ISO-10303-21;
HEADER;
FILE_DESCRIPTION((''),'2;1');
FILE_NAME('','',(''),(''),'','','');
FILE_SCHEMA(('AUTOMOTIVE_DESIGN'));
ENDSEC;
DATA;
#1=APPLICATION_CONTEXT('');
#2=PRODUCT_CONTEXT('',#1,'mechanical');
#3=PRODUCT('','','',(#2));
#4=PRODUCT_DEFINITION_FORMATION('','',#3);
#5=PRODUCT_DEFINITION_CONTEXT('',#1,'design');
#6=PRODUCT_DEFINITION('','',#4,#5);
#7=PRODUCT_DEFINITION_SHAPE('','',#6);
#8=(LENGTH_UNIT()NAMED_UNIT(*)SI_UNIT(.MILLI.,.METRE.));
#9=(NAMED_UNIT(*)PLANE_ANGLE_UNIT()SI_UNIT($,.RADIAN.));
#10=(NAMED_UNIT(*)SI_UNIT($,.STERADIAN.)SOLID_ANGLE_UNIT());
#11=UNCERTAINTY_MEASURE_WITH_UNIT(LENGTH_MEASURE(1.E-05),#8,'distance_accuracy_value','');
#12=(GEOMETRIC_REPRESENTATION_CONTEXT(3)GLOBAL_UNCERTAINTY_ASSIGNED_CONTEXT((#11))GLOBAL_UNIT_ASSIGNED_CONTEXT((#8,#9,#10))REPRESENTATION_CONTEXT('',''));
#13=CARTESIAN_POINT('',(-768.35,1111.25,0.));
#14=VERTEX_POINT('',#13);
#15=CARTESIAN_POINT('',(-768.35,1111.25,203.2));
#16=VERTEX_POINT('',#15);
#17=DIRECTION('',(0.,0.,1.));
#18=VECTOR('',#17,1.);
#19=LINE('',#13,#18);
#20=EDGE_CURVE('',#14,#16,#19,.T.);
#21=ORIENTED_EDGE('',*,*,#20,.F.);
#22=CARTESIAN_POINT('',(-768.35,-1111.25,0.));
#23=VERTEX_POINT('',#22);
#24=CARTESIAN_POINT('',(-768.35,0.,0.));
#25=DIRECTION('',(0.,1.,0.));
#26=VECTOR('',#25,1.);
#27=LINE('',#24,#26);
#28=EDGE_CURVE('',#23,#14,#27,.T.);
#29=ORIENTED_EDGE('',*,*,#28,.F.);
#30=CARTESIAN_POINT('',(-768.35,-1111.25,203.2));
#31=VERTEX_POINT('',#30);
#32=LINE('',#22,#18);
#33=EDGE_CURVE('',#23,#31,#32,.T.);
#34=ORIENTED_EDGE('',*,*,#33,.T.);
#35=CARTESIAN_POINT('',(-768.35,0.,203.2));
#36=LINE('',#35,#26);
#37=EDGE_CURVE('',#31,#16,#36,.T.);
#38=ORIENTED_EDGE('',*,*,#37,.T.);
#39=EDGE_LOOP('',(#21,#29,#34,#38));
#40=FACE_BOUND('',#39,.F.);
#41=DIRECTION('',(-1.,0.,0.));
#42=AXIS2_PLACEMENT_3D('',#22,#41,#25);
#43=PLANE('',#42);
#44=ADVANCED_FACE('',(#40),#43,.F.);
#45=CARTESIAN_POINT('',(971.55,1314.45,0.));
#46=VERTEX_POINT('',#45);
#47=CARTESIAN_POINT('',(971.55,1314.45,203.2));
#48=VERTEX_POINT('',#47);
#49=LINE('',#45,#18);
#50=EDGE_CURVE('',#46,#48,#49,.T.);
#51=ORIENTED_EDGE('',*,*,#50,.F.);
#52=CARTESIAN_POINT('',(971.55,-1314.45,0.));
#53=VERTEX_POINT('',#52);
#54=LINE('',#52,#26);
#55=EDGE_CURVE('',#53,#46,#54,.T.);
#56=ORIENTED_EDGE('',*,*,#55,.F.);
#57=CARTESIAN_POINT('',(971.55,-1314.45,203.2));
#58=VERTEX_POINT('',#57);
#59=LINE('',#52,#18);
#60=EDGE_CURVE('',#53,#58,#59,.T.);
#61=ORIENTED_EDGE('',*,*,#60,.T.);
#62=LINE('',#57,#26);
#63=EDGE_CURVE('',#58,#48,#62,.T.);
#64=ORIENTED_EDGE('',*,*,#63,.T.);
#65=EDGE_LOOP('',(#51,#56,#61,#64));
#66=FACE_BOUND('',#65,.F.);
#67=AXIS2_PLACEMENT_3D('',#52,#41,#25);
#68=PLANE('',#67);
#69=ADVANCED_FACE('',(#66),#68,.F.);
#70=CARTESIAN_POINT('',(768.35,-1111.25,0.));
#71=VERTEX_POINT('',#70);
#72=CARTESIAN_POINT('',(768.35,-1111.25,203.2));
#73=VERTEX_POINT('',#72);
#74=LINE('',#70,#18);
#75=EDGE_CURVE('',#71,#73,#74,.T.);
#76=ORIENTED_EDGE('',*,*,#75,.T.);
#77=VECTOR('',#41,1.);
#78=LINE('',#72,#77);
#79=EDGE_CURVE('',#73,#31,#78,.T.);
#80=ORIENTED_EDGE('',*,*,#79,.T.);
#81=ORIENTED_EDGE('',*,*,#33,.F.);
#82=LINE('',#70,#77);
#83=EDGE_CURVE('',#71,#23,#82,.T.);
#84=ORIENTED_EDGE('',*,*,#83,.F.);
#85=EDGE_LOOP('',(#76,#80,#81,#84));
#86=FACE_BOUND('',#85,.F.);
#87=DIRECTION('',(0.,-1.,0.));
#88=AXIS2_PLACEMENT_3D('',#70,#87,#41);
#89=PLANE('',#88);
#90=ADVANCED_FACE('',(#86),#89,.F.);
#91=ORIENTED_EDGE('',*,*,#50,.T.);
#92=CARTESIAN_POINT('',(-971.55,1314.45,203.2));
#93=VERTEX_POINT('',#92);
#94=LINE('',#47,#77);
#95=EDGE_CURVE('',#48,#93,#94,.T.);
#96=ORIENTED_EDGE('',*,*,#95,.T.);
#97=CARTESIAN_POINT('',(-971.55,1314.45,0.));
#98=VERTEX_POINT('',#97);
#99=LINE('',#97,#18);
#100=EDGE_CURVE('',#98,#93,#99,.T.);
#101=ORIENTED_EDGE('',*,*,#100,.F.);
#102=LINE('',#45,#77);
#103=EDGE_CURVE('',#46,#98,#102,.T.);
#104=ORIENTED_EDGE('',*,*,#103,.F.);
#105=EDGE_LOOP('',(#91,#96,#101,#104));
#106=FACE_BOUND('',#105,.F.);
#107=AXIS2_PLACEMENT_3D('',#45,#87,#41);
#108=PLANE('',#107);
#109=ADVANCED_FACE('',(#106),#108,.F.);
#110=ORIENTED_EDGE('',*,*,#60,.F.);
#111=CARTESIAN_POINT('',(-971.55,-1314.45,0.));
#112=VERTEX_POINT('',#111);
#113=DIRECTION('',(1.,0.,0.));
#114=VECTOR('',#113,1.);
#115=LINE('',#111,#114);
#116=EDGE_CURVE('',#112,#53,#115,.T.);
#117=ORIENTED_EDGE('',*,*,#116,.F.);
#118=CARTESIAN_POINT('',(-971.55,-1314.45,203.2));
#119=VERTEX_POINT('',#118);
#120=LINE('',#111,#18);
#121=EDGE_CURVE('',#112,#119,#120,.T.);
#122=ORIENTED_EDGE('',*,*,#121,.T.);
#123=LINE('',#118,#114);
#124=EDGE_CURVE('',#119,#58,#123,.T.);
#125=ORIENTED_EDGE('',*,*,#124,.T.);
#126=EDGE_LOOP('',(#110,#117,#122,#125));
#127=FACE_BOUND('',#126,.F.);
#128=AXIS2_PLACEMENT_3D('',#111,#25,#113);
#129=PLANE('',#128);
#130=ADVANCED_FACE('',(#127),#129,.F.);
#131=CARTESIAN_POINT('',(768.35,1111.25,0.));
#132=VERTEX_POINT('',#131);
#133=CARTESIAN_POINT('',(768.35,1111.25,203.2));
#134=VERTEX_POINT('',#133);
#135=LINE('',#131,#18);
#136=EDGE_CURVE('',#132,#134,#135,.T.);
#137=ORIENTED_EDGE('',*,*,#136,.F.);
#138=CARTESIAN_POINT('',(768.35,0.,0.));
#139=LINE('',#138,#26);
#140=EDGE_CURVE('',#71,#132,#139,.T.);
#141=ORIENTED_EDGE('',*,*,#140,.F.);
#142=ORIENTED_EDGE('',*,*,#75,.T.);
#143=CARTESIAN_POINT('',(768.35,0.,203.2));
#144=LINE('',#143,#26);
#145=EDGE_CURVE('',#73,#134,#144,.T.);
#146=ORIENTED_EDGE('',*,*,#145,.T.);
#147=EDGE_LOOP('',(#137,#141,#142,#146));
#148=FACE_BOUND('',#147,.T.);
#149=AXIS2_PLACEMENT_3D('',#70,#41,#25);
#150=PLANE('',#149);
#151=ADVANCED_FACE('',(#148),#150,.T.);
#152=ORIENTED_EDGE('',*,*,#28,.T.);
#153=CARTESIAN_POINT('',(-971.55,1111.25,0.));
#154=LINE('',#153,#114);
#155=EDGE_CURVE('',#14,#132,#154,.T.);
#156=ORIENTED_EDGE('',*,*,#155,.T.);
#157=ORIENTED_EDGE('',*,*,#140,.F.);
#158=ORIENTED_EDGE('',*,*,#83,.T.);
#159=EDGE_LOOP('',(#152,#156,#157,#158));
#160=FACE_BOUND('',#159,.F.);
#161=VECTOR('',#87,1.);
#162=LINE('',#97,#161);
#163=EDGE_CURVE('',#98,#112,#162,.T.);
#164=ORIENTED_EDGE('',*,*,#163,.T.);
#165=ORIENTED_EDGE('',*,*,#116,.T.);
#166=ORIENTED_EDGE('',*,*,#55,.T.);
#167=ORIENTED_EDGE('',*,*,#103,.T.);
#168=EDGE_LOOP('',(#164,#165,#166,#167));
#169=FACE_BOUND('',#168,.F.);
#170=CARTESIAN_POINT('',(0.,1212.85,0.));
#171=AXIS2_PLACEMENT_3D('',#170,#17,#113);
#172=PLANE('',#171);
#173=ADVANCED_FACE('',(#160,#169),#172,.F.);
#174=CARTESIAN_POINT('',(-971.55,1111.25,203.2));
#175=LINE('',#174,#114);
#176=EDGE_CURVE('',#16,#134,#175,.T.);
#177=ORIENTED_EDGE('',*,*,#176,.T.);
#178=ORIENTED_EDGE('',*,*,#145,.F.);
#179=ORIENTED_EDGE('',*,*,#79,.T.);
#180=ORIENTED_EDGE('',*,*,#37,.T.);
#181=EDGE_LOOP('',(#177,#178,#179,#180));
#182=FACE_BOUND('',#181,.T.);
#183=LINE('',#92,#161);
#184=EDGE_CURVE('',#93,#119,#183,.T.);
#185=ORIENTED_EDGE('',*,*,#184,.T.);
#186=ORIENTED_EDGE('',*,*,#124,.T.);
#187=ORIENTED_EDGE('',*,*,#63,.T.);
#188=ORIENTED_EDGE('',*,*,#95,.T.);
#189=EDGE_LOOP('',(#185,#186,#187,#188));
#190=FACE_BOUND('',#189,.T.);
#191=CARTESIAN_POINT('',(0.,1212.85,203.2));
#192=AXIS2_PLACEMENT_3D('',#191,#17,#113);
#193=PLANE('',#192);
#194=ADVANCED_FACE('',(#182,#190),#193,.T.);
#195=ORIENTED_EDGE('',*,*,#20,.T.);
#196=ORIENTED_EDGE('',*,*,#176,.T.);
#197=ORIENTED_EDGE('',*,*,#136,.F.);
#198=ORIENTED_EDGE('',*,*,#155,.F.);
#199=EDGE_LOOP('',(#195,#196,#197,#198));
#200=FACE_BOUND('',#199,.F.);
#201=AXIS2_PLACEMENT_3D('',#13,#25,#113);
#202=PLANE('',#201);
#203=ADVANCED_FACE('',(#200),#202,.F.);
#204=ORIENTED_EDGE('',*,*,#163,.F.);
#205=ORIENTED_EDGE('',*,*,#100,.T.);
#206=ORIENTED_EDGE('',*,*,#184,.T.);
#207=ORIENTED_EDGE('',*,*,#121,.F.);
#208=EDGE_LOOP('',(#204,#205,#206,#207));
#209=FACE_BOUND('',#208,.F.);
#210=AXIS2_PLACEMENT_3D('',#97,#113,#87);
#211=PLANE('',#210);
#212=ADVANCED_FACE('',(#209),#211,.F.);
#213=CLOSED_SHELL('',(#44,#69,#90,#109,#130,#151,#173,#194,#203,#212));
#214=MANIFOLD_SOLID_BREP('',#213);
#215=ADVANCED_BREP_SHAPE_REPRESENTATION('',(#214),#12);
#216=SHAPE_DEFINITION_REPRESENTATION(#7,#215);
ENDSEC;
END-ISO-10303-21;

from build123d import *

# Parameters (mm, degrees)
F0_W     = 203.2
F0_H     = 2222.5
F1_DEPTH = 203.2


with BuildPart() as f1:
    # F0 (on Top) → F1 (new body)
    with BuildSketch(Plane.XY):
        Polygon((971.55, 1111.25), (971.55, 1314.45), (-971.55, 1314.45), (-971.55, 1111.25), (-768.35, 1111.25), (768.35, 1111.25), align=None)
        with Locations((869.95, 0)):
            Rectangle(F0_W, F0_H)
        Polygon((971.55, -1314.45), (971.55, -1111.25), (768.35, -1111.25), (-768.35, -1111.25), (-971.55, -1111.25), (-971.55, -1314.45), align=None)
        with Locations((-869.95, 0)):
            Rectangle(F0_W, F0_H)
    extrude(amount=F1_DEPTH)


solid = f1.part
